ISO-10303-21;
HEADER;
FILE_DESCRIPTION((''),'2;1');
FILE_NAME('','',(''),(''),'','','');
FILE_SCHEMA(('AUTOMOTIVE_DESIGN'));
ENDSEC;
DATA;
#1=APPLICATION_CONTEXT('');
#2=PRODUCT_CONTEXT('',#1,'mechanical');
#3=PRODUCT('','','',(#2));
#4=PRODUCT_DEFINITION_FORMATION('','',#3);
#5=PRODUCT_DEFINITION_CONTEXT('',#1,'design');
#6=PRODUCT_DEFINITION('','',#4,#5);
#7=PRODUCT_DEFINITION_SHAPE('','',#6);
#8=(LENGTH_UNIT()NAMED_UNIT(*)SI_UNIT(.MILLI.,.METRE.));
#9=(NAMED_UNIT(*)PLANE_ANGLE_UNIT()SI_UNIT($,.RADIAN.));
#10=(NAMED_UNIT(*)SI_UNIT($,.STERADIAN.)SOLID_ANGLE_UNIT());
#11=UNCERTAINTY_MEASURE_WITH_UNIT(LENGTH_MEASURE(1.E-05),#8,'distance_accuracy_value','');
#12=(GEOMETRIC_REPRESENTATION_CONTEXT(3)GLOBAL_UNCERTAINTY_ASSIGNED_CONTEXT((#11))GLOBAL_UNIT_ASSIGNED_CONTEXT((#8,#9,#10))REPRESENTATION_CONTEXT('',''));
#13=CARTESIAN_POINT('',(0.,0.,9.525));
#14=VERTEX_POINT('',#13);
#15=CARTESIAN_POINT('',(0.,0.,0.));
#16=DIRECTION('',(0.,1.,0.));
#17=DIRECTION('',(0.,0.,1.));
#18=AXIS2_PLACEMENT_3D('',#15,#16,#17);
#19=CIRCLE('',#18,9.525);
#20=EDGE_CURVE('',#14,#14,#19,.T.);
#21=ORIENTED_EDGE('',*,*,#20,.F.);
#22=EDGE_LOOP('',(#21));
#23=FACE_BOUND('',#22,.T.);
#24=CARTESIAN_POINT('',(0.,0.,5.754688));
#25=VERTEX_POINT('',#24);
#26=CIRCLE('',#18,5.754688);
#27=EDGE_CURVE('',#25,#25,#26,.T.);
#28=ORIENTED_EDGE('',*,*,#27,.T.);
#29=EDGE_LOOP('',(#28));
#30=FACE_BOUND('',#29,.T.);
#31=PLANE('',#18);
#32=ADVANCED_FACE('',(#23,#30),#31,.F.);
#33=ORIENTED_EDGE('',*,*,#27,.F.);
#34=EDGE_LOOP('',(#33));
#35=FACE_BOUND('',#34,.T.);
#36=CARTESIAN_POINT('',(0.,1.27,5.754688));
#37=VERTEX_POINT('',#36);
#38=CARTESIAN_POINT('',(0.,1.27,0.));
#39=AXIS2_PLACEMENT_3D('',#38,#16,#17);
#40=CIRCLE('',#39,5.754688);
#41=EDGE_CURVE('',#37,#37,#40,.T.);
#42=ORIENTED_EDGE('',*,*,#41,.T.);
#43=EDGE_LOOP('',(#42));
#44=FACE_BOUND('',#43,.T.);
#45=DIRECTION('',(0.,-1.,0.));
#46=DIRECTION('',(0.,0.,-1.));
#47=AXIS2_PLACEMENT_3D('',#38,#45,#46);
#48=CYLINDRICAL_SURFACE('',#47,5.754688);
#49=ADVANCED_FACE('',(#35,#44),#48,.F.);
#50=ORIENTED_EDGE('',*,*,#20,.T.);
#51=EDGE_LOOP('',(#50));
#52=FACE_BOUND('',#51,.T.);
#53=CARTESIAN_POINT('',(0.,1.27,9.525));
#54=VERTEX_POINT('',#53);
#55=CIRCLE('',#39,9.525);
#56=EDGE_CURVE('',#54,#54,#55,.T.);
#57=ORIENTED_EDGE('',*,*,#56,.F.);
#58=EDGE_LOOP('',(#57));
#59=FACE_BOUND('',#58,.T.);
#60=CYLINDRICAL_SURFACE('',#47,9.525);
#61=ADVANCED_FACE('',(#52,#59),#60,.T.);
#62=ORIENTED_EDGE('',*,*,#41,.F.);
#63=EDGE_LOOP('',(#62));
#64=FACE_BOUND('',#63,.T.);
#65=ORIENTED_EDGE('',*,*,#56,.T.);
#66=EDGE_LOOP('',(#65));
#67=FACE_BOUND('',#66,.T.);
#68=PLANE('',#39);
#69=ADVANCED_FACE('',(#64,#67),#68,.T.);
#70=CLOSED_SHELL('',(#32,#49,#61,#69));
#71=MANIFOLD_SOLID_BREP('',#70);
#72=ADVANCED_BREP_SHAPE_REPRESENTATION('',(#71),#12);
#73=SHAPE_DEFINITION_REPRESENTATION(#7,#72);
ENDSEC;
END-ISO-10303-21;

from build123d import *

# Parameters (mm, degrees)
SKETCH1_R           = 9.525
SKETCH1_R_2         = 5.7546875
BOSS_EXTRUDE1_DEPTH = 1.27


with BuildPart() as part:
    # Sketch1 → Boss-Extrude1 (new body)
    with BuildSketch(Plane(origin=(0, 0, 0), x_dir=(1, 0, 0), z_dir=(0, 1, 0))):
        Circle(SKETCH1_R)
        Circle(SKETCH1_R_2, mode=Mode.SUBTRACT)
    extrude(amount=BOSS_EXTRUDE1_DEPTH)


solid = part.part
